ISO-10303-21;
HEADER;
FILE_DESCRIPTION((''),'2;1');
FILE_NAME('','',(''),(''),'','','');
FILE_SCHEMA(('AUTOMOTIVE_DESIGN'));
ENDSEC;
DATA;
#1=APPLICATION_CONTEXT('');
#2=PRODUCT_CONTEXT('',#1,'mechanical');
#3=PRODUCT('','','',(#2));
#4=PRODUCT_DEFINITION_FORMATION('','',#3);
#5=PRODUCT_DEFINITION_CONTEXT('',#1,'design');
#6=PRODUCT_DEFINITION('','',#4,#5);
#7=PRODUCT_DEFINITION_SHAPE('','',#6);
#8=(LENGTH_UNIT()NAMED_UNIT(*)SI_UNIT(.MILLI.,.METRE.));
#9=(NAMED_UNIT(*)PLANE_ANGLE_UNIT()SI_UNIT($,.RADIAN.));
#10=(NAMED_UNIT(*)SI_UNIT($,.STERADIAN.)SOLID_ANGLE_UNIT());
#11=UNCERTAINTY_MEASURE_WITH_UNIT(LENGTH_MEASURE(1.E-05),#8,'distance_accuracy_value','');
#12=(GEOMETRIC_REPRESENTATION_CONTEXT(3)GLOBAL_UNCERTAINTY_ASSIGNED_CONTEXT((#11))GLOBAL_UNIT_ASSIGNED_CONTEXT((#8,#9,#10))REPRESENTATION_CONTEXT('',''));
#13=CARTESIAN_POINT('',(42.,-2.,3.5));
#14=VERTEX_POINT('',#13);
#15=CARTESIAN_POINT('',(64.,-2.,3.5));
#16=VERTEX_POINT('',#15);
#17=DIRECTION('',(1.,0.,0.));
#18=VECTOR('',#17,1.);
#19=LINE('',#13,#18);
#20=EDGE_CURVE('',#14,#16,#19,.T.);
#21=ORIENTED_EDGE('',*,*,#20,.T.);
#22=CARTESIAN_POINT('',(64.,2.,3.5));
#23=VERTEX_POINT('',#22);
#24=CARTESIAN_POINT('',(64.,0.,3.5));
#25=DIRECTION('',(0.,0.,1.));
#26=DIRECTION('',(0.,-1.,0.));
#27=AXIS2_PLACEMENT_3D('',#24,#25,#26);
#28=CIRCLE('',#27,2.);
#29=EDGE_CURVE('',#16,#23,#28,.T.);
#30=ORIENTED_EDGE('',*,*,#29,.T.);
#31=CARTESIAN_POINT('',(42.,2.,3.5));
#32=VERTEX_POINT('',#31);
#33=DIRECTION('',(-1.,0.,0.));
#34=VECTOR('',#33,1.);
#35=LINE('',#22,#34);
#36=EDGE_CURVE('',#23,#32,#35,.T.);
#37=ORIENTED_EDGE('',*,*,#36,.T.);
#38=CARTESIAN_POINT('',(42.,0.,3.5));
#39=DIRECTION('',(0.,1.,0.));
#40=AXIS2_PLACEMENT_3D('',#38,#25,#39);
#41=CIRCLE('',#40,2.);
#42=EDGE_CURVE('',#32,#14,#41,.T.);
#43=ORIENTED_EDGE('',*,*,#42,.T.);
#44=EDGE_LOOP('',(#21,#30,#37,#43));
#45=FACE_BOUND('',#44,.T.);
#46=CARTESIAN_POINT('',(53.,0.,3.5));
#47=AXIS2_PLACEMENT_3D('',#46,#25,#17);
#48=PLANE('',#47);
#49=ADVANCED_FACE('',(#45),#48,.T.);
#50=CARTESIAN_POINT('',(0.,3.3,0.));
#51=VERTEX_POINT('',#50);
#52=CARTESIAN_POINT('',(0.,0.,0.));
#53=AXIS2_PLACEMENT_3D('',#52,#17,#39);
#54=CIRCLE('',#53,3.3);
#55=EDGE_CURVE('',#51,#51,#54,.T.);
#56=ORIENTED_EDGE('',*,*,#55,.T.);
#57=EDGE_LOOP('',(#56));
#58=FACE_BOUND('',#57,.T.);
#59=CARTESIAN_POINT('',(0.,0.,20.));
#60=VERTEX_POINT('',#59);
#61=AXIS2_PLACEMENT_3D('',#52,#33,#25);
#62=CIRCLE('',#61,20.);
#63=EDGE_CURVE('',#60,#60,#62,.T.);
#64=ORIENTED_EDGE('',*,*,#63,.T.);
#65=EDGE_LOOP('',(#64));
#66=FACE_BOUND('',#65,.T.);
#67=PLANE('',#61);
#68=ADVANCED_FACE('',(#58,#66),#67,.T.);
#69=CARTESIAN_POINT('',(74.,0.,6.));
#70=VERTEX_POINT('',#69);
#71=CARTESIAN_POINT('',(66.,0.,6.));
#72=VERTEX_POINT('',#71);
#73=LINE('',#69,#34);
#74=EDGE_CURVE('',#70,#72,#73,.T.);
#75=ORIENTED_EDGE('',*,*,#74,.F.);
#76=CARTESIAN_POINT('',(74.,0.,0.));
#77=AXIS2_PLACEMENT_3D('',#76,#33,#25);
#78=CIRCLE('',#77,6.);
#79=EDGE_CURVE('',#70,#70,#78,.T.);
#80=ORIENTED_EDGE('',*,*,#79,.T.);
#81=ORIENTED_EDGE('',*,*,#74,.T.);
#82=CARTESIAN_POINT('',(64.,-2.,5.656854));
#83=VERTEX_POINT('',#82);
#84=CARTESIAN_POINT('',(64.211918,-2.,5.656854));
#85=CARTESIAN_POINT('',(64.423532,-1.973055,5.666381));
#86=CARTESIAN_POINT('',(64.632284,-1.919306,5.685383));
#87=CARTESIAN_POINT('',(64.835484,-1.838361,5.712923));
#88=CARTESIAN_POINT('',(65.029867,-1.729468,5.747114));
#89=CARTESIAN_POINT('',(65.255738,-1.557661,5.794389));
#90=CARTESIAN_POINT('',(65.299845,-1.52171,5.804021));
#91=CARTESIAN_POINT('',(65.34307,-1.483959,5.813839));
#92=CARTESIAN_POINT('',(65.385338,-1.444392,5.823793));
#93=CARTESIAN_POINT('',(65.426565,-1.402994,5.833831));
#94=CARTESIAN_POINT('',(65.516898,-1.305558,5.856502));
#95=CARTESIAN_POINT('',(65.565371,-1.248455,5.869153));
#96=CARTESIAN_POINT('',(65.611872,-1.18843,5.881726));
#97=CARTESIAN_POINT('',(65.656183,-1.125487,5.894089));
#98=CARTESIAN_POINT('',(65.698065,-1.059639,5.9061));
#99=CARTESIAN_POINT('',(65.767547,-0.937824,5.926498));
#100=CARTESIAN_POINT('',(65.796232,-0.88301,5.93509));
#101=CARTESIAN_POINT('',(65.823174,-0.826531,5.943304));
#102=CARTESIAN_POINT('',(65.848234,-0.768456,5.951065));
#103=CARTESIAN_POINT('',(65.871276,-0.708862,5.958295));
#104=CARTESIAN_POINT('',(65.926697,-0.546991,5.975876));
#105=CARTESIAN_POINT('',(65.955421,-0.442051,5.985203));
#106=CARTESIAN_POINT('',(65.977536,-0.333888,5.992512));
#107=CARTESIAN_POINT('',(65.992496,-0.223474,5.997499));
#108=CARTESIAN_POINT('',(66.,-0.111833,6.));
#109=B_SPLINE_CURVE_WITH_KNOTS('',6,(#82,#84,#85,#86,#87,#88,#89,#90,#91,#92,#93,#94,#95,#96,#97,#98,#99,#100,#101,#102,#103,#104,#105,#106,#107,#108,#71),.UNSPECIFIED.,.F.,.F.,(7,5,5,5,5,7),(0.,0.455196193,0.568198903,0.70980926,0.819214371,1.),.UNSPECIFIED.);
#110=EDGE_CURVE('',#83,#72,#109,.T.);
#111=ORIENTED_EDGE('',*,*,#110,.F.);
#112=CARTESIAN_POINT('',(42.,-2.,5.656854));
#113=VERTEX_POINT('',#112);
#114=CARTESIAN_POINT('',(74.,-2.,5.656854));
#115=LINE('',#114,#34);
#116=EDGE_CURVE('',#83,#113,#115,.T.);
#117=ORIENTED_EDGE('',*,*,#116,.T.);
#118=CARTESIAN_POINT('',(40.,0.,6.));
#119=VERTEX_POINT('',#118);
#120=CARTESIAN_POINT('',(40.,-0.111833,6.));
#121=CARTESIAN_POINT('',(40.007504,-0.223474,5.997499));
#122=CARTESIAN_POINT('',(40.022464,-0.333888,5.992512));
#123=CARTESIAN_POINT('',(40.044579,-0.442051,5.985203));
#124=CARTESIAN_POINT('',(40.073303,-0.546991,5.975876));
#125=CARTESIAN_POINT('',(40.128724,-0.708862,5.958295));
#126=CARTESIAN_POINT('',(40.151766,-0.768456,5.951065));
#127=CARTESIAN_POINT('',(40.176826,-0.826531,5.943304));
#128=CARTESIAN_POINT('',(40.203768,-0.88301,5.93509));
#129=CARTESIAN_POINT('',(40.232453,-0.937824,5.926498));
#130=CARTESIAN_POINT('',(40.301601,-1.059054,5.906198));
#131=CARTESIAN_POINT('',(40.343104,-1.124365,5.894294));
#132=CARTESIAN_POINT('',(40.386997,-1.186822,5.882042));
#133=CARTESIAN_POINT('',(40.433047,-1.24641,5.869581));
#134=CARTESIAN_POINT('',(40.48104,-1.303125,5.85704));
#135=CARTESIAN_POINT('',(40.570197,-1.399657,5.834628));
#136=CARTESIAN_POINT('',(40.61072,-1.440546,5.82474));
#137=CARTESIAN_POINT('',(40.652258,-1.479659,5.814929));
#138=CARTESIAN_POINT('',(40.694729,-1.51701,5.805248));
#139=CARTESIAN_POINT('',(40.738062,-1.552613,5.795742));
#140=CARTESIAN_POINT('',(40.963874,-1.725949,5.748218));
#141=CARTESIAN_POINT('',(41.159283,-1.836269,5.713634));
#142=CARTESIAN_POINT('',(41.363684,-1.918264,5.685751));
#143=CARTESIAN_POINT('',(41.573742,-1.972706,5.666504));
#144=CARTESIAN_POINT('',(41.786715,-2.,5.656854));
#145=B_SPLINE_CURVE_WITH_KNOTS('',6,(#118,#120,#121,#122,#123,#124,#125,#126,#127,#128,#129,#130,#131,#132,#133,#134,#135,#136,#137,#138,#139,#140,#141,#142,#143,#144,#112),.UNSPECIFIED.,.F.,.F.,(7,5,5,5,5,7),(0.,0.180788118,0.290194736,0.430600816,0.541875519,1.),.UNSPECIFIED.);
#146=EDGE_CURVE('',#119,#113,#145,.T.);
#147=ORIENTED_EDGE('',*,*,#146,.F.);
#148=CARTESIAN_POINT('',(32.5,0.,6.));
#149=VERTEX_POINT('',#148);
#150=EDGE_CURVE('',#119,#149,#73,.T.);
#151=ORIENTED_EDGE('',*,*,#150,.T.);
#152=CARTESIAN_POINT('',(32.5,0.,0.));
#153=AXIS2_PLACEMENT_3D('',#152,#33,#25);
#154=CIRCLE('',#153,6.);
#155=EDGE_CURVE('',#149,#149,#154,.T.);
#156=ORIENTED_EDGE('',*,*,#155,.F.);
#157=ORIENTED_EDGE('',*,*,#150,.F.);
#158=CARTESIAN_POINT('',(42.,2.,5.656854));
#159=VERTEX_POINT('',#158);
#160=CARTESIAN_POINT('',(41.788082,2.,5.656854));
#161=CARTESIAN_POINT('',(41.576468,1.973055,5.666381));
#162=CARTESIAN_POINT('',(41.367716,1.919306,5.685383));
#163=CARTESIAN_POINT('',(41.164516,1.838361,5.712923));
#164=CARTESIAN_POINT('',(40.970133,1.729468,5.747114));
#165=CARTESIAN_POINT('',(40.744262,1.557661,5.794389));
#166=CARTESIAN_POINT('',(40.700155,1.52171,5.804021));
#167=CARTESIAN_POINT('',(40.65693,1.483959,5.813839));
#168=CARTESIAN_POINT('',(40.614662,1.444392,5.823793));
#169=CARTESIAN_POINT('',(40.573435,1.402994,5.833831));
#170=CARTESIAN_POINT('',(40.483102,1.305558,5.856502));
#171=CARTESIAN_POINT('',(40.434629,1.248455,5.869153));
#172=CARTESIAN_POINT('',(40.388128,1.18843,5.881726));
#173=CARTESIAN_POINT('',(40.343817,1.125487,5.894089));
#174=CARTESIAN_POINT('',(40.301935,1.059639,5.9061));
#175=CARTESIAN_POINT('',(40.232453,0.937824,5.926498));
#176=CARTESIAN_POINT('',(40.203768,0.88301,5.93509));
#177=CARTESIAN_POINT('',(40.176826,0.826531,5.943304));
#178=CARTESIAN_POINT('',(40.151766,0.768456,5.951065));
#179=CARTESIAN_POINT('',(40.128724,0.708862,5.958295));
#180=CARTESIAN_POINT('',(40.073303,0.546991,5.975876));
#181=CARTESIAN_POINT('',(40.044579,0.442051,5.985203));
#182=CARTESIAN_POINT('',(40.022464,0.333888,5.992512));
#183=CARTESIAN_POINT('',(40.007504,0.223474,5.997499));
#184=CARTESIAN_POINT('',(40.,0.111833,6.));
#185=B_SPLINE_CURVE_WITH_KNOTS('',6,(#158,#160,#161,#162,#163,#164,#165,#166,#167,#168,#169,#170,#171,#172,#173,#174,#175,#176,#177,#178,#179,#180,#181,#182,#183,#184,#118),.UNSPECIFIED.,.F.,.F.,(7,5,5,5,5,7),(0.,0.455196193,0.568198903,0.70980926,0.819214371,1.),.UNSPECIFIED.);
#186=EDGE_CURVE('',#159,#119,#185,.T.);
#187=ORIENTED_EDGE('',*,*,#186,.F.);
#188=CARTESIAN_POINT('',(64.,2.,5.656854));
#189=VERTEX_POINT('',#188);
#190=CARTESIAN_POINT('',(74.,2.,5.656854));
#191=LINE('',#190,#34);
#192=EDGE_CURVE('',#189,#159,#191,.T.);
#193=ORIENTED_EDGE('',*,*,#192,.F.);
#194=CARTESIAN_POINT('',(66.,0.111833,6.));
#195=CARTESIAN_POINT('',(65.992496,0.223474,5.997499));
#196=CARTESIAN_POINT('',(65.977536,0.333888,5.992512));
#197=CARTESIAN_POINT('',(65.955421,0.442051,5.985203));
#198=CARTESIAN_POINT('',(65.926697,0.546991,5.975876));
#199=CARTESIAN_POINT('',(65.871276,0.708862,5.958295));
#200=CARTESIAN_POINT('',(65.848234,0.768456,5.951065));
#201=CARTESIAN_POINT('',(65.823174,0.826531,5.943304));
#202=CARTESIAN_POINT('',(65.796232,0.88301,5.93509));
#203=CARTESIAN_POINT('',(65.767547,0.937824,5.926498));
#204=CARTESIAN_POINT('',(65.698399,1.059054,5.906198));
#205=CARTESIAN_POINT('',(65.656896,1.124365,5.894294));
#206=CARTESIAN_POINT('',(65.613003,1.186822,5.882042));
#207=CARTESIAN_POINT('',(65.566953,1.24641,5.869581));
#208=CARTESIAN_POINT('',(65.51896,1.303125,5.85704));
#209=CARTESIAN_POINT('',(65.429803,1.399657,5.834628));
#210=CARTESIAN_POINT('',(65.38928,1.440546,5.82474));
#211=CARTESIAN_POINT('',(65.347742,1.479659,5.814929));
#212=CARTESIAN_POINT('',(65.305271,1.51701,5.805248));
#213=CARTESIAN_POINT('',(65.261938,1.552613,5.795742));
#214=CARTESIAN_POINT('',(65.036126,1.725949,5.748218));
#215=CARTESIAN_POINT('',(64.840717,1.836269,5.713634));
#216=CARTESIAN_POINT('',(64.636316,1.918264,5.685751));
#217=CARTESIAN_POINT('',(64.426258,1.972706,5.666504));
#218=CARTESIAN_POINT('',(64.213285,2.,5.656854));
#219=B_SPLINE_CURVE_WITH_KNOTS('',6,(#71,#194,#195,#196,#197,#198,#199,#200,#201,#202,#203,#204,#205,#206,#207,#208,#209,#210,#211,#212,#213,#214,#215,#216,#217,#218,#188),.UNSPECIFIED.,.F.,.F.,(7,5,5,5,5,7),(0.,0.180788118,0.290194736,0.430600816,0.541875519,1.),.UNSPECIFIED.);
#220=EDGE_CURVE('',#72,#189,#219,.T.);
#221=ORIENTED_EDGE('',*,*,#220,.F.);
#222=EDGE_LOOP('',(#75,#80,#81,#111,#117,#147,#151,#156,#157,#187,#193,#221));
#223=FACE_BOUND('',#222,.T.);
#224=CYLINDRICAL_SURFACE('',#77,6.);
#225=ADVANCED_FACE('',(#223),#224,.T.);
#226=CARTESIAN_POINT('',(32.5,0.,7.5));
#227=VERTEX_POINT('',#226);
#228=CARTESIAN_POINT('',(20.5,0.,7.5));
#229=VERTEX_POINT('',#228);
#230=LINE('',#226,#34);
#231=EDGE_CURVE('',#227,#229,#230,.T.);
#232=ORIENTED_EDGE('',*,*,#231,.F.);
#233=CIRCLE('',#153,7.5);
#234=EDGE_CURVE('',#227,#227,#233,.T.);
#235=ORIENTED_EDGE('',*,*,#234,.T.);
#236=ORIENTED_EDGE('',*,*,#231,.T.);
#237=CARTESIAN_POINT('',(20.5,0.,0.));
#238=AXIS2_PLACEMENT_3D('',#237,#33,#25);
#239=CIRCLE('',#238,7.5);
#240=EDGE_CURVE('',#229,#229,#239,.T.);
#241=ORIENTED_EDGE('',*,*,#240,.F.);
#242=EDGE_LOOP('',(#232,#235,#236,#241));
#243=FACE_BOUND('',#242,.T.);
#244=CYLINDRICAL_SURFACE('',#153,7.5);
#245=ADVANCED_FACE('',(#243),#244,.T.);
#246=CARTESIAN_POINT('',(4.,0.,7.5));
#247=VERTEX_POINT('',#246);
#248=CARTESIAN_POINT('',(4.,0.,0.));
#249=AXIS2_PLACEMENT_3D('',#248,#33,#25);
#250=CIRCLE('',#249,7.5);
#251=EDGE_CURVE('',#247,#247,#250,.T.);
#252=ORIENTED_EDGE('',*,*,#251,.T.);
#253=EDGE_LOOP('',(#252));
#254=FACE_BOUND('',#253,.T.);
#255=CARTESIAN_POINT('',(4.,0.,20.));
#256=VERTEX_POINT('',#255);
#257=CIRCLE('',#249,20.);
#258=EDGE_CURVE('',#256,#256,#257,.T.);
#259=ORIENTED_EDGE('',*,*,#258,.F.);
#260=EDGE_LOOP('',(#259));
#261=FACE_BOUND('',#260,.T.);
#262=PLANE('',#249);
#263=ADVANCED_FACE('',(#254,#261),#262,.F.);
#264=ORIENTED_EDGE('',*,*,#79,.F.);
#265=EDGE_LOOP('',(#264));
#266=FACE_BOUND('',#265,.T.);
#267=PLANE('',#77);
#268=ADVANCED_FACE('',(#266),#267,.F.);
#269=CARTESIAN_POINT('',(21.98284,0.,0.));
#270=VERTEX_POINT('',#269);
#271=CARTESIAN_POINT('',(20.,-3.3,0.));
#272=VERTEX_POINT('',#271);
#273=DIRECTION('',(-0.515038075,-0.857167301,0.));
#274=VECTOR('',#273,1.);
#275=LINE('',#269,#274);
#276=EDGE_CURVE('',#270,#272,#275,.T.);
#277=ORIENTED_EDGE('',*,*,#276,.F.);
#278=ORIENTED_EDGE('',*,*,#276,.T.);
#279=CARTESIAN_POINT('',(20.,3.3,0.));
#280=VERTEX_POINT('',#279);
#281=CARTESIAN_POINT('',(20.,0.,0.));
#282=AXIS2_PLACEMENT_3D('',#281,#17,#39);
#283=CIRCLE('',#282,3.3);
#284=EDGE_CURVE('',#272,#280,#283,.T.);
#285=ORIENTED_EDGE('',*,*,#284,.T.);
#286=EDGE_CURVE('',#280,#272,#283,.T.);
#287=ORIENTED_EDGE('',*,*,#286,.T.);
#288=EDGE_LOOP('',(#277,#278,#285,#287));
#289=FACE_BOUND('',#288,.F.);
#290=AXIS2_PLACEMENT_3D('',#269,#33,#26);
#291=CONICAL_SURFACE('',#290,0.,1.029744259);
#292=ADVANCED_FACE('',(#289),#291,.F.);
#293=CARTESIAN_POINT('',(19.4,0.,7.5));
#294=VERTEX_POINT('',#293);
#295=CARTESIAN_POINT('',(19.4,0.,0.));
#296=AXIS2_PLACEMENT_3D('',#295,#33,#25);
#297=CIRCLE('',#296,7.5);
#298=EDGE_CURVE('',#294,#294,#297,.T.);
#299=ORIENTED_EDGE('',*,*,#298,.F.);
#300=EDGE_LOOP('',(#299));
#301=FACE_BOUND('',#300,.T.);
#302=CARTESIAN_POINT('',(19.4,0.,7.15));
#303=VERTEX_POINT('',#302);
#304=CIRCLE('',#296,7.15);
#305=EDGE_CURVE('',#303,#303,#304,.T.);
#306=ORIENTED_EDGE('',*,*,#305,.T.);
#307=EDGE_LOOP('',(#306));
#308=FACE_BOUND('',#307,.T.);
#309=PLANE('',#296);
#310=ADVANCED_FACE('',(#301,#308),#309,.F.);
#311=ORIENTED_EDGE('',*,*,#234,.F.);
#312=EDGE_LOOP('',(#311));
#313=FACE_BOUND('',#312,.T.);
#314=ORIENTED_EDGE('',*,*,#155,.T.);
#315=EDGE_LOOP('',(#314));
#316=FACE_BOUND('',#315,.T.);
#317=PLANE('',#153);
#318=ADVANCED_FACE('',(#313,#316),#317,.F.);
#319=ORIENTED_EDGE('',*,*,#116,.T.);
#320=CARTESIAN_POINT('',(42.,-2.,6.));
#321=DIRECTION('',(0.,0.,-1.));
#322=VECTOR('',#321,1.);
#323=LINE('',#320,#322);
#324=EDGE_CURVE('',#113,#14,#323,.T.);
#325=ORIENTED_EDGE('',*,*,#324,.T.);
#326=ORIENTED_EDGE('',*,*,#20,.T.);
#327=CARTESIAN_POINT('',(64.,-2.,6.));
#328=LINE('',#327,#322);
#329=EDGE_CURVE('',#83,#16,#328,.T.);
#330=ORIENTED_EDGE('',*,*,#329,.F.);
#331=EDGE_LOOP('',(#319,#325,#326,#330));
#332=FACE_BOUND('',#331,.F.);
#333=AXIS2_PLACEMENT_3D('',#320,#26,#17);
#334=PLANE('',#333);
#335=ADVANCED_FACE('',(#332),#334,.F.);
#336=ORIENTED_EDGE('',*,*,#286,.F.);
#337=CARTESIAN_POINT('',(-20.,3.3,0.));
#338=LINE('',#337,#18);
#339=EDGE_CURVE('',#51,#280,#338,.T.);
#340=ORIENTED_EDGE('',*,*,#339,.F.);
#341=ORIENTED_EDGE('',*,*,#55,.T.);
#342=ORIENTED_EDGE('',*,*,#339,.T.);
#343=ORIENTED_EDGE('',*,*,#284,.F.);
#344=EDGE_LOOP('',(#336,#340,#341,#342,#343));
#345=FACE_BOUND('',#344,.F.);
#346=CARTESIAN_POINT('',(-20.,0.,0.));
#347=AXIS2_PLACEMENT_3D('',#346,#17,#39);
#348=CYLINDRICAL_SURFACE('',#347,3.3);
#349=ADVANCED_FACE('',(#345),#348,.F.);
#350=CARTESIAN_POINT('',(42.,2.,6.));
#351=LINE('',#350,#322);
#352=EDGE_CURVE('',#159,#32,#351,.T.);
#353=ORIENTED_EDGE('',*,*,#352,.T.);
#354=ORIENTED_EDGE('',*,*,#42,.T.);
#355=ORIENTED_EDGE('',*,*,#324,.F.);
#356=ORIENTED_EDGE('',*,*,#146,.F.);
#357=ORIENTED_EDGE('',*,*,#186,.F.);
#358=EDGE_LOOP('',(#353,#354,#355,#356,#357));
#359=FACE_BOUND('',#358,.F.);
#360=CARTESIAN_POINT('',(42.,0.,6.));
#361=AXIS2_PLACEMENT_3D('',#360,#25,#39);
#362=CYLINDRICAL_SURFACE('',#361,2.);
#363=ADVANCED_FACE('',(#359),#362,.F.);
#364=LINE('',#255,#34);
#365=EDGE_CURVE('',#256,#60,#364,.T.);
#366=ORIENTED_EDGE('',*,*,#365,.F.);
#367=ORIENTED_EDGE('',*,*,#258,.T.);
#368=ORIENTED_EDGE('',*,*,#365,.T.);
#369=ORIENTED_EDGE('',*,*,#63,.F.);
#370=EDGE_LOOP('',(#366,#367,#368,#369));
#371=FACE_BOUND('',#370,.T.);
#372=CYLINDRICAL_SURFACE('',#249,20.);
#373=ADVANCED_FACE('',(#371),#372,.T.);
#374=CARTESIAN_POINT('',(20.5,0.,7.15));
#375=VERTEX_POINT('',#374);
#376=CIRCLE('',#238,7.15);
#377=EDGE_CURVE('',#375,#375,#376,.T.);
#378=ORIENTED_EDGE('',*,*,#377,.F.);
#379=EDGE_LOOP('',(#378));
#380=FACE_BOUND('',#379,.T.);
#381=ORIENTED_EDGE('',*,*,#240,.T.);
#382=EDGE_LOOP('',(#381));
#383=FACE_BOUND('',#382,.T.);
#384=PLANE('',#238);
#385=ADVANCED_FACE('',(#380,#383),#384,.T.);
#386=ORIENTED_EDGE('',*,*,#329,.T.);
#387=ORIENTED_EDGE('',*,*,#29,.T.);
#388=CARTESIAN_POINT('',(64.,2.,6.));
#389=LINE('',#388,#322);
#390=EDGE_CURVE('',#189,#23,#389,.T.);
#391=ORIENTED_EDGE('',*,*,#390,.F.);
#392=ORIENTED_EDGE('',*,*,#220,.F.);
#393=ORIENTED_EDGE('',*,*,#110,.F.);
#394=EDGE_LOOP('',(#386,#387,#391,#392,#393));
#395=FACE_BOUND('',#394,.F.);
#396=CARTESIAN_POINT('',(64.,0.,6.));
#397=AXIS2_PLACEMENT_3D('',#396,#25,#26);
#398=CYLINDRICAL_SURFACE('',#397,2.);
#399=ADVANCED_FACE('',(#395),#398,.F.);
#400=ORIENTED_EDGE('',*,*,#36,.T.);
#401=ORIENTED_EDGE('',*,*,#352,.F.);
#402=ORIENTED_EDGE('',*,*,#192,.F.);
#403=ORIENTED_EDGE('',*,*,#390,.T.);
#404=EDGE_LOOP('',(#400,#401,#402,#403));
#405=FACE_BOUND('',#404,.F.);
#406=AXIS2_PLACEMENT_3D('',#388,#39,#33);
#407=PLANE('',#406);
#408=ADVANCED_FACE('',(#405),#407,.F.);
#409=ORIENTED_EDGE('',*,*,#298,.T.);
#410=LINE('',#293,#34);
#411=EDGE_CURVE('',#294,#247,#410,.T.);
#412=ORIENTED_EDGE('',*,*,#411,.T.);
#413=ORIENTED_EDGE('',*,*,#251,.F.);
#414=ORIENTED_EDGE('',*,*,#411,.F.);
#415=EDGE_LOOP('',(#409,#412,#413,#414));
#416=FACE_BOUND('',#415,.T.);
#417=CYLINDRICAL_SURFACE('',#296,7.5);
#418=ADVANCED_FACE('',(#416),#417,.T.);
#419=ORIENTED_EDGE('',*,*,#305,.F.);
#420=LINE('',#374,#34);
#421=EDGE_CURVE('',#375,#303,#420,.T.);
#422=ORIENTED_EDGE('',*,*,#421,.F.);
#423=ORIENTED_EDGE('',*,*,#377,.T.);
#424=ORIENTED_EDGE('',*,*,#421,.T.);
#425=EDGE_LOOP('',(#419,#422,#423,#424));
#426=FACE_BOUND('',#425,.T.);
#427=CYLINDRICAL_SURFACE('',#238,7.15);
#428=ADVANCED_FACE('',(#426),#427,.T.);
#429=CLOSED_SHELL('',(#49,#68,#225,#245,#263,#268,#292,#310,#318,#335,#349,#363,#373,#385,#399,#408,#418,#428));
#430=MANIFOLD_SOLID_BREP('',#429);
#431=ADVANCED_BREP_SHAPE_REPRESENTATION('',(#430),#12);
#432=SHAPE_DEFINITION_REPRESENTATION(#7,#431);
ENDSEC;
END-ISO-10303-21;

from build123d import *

# Parameters (mm, degrees)
F4_DEPTH = 2.5
F6_D     = 6.6
F6_DEPTH = 20
F6_TIP   = 1.9828400428


with BuildPart() as f1:
    # F0 (on Front) → F1 (revolve)
    with BuildSketch(Plane.XZ):
        Polygon((0, 20), (0, 0), (74, 0), (74, 6), (32.5, 6), (32.5, 7.5), (20.5, 7.5), (20.5, 7.15), (19.4, 7.15), (19.4, 7.5), (4, 7.5), (4, 20), align=None)
    revolve(axis=Axis((37, 0, 0), (-1, 0, 0)))

    # F3 (on offset) → F4 (cut)
    with BuildSketch(Plane.XY.offset(6)):
        with BuildLine():
            ThreePointArc((42, 2), (40, 0), (42, -2))
            Line((42, -2), (64, -2))
            ThreePointArc((64, -2), (66, 0), (64, 2))
            Line((64, 2), (42, 2))
        make_face()
    extrude(amount=-F4_DEPTH, mode=Mode.SUBTRACT)

    # F6
    with Locations(Plane(origin=(0, 0, 0), x_dir=(0, -1, 0), z_dir=(-1, 0, 0))):
        with Locations((0, 0)):
            Hole(F6_D / 2, depth=F6_DEPTH)
            with Locations((0, 0, -(F6_DEPTH + F6_TIP / 2))):  # 118° drill point
                Cone(0, F6_D / 2, F6_TIP, mode=Mode.SUBTRACT)


solid = f1.part
